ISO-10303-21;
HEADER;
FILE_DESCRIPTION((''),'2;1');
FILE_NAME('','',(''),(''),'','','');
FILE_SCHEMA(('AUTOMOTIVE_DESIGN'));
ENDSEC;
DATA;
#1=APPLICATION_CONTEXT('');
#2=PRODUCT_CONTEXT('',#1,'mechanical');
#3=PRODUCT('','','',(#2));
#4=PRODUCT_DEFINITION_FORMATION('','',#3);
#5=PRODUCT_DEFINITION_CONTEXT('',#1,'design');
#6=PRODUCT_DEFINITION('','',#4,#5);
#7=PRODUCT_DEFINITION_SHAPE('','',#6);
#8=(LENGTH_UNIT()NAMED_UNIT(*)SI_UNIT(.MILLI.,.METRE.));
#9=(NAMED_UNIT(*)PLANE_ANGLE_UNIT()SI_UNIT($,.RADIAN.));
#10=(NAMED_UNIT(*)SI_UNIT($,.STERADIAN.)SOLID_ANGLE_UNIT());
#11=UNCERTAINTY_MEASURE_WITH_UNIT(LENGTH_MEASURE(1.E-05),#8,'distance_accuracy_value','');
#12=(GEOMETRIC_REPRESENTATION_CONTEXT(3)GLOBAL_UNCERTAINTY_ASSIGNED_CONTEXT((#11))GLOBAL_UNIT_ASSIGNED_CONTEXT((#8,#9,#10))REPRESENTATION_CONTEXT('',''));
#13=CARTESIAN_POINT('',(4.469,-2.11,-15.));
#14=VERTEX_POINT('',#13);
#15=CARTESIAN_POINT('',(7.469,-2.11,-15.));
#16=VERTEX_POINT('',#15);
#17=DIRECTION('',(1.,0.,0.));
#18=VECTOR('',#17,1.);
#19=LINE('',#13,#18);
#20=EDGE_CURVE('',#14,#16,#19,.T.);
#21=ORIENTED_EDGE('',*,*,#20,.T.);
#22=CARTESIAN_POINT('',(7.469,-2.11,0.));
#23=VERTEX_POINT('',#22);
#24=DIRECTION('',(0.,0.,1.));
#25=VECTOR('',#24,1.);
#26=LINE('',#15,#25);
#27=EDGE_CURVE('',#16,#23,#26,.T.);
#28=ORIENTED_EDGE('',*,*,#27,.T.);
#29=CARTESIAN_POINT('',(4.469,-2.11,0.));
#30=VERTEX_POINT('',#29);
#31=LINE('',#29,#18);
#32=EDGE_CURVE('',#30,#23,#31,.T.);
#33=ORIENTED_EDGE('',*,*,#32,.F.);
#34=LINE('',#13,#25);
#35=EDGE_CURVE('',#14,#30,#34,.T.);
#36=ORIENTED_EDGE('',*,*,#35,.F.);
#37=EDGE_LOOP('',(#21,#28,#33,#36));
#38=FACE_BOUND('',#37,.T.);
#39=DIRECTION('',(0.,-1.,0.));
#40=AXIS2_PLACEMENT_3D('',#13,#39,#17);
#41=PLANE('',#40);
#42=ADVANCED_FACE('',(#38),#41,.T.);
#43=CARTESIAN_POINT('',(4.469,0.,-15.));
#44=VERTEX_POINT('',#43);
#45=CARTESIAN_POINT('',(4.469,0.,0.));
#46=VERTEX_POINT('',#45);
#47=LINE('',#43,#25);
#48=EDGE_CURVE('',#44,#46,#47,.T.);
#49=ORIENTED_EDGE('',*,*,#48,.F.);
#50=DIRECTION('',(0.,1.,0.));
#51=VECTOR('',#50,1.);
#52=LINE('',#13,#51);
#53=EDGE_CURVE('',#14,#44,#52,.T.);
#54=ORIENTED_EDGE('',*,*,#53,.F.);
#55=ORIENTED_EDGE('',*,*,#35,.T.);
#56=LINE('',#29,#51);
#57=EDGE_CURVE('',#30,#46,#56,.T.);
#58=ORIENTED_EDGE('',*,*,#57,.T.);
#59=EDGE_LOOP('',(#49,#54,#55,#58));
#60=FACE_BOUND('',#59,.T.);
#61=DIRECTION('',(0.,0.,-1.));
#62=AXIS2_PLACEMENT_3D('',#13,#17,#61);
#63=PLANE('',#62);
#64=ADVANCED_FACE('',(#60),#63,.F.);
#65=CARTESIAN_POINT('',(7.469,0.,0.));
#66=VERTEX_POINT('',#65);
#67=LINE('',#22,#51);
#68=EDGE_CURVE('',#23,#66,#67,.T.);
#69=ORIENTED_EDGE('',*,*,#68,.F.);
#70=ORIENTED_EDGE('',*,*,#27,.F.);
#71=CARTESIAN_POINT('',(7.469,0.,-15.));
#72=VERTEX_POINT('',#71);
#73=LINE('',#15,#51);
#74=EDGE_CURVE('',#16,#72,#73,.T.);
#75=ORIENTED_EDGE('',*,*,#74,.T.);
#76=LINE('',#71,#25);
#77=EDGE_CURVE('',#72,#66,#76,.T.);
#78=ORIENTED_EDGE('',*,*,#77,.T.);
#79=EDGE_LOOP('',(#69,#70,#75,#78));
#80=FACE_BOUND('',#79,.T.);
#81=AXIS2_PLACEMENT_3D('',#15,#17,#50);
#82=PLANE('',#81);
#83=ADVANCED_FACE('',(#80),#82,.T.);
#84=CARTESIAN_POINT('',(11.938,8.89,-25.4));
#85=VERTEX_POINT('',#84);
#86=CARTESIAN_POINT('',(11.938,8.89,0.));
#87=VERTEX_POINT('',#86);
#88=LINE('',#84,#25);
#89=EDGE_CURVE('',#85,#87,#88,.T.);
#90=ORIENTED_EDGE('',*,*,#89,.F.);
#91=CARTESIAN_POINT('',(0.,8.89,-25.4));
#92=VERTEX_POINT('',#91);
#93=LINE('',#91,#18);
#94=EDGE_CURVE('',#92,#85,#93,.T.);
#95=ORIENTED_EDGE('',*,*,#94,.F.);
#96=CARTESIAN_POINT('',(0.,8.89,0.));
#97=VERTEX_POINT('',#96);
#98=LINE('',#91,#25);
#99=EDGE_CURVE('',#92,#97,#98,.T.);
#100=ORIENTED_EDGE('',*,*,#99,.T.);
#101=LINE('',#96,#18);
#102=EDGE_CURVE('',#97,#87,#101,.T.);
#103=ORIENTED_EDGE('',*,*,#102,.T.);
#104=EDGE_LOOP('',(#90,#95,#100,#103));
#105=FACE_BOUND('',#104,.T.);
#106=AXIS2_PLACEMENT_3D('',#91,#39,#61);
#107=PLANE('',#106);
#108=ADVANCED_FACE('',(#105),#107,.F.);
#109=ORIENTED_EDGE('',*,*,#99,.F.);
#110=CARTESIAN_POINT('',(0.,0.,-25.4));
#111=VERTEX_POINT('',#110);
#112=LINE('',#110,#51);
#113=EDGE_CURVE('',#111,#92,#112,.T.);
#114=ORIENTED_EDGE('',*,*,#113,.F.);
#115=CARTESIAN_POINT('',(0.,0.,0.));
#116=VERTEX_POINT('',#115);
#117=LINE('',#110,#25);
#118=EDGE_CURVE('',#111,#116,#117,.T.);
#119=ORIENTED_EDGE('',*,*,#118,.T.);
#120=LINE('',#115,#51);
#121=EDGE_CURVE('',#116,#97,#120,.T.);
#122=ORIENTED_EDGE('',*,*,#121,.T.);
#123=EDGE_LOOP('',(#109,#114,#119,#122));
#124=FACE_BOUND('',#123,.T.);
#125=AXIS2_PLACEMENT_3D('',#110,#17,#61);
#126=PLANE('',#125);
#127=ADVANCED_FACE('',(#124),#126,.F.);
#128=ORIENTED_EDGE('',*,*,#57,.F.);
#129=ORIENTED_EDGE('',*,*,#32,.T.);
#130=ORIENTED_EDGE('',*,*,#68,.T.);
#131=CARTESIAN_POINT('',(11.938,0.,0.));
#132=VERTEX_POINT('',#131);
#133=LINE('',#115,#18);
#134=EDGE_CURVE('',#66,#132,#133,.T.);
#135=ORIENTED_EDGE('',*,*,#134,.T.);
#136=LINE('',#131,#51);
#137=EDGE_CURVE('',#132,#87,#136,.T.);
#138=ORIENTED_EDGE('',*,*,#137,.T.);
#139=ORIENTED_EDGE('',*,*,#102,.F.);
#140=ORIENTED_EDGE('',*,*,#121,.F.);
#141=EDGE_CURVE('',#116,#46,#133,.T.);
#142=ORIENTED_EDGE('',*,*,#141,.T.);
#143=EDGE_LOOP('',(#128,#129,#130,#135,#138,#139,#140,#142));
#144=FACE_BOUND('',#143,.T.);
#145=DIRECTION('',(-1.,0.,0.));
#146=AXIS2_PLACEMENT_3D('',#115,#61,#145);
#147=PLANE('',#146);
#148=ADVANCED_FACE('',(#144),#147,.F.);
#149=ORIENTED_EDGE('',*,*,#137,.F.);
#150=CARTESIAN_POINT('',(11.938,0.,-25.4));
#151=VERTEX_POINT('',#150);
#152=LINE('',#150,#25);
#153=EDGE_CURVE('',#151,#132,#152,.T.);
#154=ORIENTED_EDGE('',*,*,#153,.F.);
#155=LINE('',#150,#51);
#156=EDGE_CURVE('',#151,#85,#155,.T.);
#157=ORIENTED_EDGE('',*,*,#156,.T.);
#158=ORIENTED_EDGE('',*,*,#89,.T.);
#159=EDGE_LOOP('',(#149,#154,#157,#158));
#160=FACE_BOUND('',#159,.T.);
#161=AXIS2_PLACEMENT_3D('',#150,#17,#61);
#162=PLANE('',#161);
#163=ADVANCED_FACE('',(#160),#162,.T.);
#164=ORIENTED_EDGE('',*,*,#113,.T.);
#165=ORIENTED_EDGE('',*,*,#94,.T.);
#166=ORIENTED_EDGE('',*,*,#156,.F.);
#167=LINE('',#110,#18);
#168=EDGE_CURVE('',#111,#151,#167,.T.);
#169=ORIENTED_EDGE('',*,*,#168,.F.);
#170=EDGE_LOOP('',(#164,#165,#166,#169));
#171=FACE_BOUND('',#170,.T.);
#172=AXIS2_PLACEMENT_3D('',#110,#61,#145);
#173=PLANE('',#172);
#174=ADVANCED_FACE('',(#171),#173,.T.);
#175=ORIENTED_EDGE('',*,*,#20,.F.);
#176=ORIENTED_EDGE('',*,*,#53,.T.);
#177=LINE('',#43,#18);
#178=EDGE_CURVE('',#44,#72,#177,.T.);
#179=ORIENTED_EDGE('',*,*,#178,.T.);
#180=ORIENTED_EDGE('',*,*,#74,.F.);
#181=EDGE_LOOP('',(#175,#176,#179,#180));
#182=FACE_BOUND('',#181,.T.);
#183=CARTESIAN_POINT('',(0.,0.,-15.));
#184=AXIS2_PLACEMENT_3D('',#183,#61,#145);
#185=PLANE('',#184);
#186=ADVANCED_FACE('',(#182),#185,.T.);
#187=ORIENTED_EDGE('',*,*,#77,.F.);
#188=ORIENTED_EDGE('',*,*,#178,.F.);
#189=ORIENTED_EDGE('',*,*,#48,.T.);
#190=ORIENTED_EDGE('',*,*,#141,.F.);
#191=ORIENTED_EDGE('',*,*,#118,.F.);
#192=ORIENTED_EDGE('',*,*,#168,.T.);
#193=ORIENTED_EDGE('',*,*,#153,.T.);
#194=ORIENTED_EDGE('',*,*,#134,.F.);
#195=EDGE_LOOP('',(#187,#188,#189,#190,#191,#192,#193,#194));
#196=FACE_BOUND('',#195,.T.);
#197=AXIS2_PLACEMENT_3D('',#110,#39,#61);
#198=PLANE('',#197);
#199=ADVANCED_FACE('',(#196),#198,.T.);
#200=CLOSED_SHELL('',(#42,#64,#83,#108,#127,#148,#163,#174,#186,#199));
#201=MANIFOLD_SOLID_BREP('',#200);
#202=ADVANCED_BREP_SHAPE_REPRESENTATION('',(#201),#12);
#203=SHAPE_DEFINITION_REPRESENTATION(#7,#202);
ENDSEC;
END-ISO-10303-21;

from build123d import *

# Parameters (mm, degrees)
SKETCH1_W           = 11.938
SKETCH1_H           = 8.89
BOSS_EXTRUDE1_DEPTH = 25.4
SKETCH2_W           = 3
SKETCH2_H           = 2.11
BOSS_EXTRUDE2_DEPTH = 15


with BuildPart() as part:
    # Sketch1 → Boss-Extrude1 (new body)
    with BuildSketch(Plane.XY):
        with Locations((5.969, 4.445)):
            Rectangle(SKETCH1_W, SKETCH1_H)
    extrude(amount=-BOSS_EXTRUDE1_DEPTH)

    # Sketch2 → Boss-Extrude2 (add)
    with BuildSketch(Plane.XY):
        with Locations((5.969, -1.055)):
            Rectangle(SKETCH2_W, SKETCH2_H)
    extrude(amount=-BOSS_EXTRUDE2_DEPTH)


solid = part.part
